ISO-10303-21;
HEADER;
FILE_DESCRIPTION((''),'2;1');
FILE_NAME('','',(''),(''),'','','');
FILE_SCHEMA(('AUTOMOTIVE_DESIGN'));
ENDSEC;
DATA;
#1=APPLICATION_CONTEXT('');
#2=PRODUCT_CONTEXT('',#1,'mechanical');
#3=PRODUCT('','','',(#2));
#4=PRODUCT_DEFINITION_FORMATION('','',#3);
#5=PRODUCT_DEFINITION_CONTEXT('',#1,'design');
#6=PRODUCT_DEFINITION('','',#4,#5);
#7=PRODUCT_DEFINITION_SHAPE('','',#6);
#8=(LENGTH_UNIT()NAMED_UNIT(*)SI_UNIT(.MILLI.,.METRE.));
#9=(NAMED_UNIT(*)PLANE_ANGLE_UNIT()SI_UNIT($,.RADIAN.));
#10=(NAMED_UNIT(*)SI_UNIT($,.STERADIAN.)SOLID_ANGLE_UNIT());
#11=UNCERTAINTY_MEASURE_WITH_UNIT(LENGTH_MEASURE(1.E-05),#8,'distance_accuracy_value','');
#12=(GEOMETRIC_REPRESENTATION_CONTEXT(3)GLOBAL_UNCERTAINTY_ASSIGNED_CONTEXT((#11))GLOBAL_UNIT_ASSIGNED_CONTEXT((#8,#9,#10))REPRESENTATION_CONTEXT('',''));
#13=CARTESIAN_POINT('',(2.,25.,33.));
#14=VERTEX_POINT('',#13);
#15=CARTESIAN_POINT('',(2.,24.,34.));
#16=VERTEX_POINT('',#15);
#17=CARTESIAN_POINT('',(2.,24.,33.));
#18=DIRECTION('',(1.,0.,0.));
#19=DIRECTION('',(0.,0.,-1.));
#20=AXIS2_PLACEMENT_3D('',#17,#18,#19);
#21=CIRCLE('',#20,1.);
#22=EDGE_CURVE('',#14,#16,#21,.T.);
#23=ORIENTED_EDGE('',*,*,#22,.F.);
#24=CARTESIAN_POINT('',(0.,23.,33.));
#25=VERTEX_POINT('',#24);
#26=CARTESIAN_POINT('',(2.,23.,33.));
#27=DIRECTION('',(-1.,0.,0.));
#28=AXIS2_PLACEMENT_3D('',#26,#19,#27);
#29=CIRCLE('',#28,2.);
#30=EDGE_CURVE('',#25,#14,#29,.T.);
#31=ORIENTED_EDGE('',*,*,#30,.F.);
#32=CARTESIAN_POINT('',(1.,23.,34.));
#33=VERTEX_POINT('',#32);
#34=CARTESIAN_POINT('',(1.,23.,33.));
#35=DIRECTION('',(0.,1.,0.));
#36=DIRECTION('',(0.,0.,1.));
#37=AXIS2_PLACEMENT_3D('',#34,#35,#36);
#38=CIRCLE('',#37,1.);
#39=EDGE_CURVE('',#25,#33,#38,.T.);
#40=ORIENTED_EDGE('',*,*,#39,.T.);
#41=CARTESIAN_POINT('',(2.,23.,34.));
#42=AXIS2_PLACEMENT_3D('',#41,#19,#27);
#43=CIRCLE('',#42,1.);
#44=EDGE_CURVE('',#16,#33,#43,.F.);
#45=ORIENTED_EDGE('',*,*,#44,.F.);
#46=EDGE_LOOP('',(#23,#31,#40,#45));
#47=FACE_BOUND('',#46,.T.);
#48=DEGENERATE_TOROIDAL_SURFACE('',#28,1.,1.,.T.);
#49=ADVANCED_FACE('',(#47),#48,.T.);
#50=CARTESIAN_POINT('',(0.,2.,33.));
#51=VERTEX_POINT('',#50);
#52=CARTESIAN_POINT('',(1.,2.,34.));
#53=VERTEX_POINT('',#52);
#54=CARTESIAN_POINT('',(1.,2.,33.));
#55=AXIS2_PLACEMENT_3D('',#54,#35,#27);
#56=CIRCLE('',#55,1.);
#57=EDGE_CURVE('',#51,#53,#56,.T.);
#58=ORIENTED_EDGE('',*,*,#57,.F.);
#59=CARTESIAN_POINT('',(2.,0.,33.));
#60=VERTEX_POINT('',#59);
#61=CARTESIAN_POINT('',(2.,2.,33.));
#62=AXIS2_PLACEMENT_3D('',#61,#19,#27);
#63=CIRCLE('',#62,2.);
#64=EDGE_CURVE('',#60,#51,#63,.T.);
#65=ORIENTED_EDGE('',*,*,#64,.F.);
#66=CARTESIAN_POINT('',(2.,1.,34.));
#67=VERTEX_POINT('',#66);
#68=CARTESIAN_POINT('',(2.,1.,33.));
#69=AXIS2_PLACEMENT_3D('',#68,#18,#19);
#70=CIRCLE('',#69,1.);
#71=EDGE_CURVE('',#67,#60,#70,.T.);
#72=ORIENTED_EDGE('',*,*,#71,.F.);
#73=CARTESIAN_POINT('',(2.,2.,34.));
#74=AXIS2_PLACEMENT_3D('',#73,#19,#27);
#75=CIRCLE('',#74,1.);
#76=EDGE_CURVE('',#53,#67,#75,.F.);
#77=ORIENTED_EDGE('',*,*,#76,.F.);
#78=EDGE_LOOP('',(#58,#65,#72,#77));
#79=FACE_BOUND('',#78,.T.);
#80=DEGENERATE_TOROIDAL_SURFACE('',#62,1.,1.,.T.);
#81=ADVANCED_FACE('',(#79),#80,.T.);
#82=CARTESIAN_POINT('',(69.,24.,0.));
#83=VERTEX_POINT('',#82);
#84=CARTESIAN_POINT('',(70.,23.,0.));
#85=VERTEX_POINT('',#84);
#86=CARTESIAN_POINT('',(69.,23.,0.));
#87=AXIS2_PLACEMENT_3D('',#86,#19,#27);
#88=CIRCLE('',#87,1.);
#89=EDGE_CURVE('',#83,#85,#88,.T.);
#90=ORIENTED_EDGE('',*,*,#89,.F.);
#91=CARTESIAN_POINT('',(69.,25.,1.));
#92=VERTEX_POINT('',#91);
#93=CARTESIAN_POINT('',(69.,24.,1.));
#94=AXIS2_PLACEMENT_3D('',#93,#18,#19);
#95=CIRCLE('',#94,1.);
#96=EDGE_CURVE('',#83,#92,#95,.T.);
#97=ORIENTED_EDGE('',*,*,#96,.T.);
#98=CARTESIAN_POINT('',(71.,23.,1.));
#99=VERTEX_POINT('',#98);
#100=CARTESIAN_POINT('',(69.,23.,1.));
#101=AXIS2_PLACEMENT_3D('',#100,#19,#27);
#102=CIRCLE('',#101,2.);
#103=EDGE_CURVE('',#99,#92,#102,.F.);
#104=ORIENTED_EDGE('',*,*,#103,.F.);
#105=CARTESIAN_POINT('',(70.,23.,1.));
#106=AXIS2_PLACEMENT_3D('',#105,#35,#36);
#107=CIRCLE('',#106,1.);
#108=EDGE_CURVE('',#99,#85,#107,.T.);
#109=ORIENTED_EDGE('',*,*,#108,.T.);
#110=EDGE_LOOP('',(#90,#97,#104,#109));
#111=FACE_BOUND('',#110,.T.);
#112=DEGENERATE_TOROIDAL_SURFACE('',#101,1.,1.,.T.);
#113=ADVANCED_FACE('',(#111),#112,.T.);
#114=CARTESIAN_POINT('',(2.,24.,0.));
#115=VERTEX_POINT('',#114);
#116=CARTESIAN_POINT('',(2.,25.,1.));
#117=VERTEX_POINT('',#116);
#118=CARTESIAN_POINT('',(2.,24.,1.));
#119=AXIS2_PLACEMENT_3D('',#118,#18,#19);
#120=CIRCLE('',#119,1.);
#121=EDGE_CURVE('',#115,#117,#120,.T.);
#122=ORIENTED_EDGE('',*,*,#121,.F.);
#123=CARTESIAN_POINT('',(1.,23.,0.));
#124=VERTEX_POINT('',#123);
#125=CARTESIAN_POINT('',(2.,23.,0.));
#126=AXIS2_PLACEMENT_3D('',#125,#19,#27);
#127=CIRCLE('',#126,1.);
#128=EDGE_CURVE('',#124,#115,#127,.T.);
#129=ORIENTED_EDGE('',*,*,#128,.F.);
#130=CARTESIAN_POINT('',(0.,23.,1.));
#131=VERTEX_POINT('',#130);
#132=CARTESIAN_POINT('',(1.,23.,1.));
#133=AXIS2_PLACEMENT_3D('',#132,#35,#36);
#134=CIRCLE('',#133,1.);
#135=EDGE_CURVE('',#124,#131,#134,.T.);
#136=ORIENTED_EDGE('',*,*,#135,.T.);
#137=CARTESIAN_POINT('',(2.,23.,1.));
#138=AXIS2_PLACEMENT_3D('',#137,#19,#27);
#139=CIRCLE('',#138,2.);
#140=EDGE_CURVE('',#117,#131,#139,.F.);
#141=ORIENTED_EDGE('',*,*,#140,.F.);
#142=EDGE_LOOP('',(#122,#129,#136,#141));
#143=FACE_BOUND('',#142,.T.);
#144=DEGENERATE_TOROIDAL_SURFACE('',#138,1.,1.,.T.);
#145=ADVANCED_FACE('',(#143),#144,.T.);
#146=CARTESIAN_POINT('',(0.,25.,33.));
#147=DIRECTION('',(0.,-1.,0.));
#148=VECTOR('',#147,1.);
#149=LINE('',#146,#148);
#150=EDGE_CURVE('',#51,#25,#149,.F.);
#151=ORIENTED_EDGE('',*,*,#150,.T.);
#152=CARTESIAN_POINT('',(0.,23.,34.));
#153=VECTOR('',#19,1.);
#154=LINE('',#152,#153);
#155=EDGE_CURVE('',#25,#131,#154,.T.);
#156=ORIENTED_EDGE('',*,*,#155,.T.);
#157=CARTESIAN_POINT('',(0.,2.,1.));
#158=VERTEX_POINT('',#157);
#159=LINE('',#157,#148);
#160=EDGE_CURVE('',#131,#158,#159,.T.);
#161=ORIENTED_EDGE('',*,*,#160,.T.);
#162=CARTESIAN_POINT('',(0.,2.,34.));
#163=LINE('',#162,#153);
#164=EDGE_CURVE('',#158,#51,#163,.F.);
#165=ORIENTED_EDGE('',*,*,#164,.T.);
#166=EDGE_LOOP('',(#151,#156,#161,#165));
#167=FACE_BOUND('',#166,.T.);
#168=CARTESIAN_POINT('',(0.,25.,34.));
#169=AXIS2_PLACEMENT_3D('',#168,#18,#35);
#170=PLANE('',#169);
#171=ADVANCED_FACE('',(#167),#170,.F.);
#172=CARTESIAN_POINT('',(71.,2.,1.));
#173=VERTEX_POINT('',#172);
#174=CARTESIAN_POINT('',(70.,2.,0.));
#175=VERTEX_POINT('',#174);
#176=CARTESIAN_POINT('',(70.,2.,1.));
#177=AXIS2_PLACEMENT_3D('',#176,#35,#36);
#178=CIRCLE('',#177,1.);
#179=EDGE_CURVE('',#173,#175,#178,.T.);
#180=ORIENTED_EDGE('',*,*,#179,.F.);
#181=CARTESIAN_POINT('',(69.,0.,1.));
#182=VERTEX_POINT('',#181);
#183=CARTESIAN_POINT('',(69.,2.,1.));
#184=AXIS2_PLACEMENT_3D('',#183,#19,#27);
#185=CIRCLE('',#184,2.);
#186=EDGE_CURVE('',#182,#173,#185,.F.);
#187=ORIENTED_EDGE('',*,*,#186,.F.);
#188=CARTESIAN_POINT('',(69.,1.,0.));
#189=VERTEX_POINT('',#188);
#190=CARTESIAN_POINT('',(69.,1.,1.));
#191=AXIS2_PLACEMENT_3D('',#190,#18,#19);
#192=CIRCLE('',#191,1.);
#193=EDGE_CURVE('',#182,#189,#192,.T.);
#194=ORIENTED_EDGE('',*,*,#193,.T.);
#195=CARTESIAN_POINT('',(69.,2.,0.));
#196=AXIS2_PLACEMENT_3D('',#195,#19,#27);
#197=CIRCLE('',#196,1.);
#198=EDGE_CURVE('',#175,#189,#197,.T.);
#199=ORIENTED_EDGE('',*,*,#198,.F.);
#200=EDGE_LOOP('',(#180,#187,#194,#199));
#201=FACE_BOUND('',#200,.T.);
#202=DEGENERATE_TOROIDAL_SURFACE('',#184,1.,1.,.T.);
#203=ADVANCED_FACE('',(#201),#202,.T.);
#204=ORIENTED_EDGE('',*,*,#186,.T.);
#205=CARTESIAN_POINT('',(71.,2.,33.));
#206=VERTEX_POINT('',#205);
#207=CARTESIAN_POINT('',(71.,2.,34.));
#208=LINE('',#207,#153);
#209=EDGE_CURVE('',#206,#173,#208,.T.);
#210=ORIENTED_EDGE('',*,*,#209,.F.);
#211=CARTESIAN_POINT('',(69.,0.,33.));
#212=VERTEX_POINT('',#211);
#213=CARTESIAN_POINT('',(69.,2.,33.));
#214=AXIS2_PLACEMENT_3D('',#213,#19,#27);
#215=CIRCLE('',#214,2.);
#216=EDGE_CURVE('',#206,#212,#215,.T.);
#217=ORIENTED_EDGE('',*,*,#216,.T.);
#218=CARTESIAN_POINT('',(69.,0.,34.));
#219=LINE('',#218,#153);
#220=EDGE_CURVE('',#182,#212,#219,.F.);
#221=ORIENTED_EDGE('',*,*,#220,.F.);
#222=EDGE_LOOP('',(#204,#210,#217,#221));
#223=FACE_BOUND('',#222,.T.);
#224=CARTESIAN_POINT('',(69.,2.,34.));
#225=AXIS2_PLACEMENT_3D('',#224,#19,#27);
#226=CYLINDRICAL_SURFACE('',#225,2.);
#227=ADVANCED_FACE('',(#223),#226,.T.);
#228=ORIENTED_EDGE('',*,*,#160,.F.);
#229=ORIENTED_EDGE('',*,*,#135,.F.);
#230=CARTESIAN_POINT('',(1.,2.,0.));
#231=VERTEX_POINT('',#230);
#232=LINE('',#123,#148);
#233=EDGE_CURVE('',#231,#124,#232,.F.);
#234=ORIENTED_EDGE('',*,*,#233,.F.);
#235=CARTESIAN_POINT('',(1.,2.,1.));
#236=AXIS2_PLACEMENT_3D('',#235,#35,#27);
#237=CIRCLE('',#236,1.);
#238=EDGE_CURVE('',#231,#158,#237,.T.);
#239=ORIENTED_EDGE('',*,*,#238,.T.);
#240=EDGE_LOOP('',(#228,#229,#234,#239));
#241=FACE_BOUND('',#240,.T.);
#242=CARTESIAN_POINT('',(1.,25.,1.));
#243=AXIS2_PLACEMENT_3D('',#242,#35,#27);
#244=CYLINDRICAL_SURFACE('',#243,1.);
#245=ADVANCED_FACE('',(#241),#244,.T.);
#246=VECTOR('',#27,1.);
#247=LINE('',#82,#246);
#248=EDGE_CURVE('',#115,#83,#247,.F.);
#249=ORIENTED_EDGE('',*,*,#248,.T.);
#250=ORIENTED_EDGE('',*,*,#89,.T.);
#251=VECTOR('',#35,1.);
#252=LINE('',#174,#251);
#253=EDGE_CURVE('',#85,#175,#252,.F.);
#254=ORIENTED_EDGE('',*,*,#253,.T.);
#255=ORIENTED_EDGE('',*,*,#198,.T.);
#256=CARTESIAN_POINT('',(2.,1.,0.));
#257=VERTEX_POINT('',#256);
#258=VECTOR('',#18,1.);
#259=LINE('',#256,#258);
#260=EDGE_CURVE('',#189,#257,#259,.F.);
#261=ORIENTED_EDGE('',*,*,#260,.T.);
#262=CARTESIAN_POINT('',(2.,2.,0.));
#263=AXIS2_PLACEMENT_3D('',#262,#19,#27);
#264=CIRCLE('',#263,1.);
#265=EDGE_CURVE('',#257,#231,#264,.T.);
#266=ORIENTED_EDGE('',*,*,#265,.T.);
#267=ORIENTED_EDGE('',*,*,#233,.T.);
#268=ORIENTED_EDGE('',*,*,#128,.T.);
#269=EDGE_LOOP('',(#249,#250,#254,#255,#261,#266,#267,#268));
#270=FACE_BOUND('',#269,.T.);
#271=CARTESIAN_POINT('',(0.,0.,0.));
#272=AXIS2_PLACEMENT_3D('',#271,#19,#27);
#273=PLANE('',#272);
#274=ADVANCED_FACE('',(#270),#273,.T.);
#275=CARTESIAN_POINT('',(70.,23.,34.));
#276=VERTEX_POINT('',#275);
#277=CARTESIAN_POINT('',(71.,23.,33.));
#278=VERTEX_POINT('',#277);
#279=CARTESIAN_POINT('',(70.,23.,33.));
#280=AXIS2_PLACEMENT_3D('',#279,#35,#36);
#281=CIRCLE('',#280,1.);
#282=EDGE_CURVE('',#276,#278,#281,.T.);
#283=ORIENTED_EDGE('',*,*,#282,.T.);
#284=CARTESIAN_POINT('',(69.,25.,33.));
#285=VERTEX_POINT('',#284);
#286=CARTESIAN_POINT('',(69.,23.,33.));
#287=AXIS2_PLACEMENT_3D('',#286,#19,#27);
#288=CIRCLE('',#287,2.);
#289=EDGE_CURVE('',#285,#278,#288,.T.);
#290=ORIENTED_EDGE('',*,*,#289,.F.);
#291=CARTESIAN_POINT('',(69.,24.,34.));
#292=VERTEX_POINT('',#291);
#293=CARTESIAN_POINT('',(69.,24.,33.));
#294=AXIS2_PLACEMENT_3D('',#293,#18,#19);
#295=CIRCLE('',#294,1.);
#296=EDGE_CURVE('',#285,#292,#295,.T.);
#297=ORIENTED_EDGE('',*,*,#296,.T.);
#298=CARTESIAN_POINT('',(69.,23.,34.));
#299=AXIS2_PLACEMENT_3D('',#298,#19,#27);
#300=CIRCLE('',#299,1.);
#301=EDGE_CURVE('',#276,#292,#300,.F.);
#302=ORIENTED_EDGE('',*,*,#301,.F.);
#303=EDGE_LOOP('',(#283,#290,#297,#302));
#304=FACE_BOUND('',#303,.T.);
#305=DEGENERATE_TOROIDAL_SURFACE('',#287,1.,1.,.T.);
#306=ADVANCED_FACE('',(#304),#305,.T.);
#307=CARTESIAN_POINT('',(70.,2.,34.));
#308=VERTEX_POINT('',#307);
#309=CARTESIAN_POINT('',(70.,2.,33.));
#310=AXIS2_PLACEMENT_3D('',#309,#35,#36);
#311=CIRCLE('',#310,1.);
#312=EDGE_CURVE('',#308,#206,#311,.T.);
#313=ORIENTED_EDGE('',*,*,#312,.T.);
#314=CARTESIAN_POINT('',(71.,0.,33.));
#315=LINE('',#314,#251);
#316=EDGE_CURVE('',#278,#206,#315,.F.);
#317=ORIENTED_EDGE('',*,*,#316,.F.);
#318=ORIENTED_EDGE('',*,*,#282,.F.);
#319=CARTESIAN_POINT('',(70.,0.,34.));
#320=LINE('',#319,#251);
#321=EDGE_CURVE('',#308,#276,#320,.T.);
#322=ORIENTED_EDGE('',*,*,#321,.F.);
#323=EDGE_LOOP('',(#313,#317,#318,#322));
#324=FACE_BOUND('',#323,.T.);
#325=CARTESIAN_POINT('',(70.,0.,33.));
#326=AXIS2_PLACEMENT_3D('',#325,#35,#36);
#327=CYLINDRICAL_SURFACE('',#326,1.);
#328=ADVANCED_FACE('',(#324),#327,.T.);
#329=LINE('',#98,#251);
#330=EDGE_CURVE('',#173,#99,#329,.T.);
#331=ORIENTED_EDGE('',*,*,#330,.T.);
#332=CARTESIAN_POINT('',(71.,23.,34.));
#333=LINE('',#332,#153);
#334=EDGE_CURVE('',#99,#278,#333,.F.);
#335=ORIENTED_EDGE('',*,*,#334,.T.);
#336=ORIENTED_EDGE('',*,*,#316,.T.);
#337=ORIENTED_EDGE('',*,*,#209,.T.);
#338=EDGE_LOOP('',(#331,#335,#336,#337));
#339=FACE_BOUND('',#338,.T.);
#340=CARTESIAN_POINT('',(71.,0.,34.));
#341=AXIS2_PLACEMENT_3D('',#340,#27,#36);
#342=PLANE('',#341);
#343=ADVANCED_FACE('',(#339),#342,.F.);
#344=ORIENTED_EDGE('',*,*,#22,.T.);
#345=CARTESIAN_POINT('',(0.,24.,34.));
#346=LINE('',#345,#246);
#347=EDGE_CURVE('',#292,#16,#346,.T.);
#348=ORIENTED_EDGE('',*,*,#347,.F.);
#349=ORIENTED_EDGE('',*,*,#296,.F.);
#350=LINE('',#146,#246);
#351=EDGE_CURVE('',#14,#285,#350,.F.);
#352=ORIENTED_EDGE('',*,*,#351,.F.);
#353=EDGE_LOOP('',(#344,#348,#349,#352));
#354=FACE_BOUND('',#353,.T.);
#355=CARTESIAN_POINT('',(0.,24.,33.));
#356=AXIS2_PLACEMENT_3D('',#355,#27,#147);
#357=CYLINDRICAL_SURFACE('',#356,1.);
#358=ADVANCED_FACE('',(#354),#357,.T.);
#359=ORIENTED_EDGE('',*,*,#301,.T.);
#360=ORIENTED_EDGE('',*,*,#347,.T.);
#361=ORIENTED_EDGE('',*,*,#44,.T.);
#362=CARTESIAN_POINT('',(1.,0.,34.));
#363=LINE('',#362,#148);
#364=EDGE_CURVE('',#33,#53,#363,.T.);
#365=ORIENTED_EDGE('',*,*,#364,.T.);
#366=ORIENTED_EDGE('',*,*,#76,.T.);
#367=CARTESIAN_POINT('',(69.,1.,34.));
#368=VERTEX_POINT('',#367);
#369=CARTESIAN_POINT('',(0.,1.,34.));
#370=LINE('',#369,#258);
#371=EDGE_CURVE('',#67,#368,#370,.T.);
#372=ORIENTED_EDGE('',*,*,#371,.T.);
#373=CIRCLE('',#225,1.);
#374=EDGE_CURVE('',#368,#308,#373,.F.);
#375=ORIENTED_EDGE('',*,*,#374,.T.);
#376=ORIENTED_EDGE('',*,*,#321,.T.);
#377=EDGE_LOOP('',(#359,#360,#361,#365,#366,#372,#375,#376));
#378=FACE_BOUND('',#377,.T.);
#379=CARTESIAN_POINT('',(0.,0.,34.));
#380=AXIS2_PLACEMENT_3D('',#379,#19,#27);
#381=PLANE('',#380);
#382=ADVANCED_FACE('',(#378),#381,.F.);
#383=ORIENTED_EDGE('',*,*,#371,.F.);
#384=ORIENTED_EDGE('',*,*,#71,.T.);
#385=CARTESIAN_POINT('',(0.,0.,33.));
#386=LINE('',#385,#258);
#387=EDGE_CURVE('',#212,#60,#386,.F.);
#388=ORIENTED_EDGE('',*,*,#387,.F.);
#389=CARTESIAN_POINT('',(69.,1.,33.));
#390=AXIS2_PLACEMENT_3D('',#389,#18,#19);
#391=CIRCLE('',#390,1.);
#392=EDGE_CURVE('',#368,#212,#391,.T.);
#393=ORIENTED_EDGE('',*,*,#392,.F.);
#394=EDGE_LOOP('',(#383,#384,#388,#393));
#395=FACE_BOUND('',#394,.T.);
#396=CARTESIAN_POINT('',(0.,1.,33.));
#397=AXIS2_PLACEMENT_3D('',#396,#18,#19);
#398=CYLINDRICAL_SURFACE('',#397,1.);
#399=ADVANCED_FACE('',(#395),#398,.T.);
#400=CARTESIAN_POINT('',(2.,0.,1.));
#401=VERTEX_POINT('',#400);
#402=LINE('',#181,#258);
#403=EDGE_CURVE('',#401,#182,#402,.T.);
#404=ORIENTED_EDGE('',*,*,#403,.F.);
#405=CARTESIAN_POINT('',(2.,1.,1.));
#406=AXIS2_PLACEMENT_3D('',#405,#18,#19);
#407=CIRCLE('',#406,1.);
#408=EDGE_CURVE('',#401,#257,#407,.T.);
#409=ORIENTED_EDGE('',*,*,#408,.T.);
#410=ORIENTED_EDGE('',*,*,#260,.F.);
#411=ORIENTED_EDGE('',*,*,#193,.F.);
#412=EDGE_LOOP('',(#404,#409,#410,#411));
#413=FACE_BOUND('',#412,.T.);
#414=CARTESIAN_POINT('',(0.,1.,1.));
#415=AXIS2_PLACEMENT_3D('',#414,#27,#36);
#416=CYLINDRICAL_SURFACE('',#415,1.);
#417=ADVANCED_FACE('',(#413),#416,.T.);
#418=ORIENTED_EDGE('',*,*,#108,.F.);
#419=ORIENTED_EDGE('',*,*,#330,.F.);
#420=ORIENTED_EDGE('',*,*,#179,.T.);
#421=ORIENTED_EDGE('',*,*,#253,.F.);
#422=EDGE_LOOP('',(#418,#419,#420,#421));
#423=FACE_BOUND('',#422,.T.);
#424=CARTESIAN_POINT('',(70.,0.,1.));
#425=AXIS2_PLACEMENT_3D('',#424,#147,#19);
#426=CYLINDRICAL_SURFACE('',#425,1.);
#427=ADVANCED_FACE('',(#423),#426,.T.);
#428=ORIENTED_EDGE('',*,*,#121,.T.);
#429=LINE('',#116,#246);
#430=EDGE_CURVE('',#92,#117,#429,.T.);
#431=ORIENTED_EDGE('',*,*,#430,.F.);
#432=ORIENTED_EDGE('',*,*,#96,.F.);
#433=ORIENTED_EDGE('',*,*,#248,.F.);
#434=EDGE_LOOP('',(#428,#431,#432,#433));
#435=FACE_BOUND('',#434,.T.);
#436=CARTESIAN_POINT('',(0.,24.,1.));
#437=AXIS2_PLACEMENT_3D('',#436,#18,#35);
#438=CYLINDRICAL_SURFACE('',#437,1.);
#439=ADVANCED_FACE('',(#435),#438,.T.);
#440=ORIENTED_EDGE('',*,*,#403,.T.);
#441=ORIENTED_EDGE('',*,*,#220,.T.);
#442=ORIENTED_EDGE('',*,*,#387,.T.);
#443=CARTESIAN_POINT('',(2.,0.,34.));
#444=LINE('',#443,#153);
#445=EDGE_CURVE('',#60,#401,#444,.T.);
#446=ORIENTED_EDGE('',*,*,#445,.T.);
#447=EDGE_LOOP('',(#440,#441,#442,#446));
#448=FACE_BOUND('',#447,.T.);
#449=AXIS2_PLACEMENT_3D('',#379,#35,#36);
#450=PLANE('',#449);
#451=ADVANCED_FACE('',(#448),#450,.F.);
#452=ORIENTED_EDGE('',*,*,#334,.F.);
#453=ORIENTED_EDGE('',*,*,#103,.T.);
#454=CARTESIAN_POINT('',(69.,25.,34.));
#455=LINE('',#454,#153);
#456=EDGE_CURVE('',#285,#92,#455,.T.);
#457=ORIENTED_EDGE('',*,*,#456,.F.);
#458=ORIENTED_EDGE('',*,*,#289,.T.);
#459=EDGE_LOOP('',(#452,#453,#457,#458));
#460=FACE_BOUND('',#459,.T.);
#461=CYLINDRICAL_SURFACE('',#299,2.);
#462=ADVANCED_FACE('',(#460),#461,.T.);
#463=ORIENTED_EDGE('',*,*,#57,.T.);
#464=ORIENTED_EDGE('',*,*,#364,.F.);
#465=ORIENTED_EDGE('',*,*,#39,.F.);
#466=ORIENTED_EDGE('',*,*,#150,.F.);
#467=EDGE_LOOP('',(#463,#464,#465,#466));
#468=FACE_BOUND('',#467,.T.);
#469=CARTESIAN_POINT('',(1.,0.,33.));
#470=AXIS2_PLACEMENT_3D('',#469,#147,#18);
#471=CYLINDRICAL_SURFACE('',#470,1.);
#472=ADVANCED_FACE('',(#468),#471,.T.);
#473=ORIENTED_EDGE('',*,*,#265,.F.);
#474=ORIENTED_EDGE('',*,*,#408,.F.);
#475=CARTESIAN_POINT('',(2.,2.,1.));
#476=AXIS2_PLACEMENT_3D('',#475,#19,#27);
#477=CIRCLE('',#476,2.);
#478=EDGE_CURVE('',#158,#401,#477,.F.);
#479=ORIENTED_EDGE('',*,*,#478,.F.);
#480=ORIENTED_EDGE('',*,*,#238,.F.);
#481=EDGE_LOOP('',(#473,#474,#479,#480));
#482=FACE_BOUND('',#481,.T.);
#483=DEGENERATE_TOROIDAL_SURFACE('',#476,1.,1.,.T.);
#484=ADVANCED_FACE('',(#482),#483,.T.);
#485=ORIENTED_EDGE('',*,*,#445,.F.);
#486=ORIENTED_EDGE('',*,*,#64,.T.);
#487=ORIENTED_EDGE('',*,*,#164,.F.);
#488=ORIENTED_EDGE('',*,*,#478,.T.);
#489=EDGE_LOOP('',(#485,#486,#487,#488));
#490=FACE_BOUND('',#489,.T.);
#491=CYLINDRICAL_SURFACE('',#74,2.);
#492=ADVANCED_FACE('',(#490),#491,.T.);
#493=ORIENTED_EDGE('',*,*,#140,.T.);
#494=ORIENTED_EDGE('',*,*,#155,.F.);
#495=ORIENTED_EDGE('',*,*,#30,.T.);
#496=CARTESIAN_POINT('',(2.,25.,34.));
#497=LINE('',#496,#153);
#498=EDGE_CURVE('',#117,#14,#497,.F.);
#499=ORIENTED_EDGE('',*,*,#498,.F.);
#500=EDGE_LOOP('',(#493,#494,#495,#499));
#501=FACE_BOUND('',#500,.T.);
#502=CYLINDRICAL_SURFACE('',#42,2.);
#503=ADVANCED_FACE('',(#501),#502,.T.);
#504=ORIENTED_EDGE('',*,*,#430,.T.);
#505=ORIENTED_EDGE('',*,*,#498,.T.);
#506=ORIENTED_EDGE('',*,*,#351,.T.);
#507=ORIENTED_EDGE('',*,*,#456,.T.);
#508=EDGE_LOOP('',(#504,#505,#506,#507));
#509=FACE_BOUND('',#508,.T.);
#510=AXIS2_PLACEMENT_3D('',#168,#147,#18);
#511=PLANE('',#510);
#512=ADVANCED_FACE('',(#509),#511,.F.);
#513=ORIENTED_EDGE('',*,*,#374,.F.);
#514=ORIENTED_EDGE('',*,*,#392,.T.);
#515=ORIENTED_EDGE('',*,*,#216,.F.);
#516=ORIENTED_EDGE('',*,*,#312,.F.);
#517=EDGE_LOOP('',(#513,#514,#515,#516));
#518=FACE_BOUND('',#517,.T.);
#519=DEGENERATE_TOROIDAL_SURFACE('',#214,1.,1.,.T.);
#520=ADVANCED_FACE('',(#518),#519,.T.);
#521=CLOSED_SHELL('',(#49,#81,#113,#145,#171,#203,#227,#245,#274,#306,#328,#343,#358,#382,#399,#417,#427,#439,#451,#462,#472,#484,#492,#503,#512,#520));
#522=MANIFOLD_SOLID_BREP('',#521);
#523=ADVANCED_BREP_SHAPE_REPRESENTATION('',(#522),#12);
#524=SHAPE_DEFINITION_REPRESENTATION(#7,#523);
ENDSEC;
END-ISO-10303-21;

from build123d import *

# Parameters (mm, degrees)
SKIZZE1_W                       = 71
SKIZZE1_H                       = 25
AUFSATZ_LINEAR_AUSTRAGEN1_DEPTH = 34
VERRUNDUNG2_R                   = 2
VERRUNDUNG3_R                   = 2
VERRUNDUNG4_R                   = 2
VERRUNDUNG5_R                   = 2
VERRUNDUNG6_R                   = 1
VERRUNDUNG7_R                   = 1


with BuildPart() as part:
    # Skizze1 → Aufsatz-Linear austragen1 (new body)
    with BuildSketch(Plane.XY):
        with Locations((35.5, 12.5)):
            Rectangle(SKIZZE1_W, SKIZZE1_H)
    extrude(amount=AUFSATZ_LINEAR_AUSTRAGEN1_DEPTH)

    # Verrundung2
    verrundung2_edges = [part.edges().sort_by_distance(p)[0] for p in [
        (71, 25, 17),
    ]]
    fillet(verrundung2_edges, radius=VERRUNDUNG2_R)

    # Verrundung3
    verrundung3_edges = [part.edges().sort_by_distance(p)[0] for p in [
        (71, 0, 17),
    ]]
    fillet(verrundung3_edges, radius=VERRUNDUNG3_R)

    # Verrundung4
    verrundung4_edges = [part.edges().sort_by_distance(p)[0] for p in [
        (0, 25, 17),
    ]]
    fillet(verrundung4_edges, radius=VERRUNDUNG4_R)

    # Verrundung5
    verrundung5_edges = [part.edges().sort_by_distance(p)[0] for p in [
        (0, 0, 17),
    ]]
    fillet(verrundung5_edges, radius=VERRUNDUNG5_R)

    # Verrundung6
    verrundung6_edges = [part.edges().sort_by_distance(p)[0] for p in [
        (35.5, 25, 34),
        (70.414213562, 24.414213562, 34),
        (71, 12.5, 34),
        (70.414213562, 0.585786438, 34),
        (0, 12.5, 34),
        (0.585786438, 24.414213562, 34),
        (35.5, 0, 34),
        (0.585786438, 0.585786438, 34),
    ]]
    fillet(verrundung6_edges, radius=VERRUNDUNG6_R)

    # Verrundung7
    verrundung7_edges = [part.edges().sort_by_distance(p)[0] for p in [
        (35.5, 25, 0),
        (70.414213562, 24.414213562, 0),
        (71, 12.5, 0),
        (70.414213562, 0.585786438, 0),
        (0, 12.5, 0),
        (0.585786438, 24.414213562, 0),
        (35.5, 0, 0),
        (0.585786438, 0.585786438, 0),
    ]]
    fillet(verrundung7_edges, radius=VERRUNDUNG7_R)


solid = part.part
